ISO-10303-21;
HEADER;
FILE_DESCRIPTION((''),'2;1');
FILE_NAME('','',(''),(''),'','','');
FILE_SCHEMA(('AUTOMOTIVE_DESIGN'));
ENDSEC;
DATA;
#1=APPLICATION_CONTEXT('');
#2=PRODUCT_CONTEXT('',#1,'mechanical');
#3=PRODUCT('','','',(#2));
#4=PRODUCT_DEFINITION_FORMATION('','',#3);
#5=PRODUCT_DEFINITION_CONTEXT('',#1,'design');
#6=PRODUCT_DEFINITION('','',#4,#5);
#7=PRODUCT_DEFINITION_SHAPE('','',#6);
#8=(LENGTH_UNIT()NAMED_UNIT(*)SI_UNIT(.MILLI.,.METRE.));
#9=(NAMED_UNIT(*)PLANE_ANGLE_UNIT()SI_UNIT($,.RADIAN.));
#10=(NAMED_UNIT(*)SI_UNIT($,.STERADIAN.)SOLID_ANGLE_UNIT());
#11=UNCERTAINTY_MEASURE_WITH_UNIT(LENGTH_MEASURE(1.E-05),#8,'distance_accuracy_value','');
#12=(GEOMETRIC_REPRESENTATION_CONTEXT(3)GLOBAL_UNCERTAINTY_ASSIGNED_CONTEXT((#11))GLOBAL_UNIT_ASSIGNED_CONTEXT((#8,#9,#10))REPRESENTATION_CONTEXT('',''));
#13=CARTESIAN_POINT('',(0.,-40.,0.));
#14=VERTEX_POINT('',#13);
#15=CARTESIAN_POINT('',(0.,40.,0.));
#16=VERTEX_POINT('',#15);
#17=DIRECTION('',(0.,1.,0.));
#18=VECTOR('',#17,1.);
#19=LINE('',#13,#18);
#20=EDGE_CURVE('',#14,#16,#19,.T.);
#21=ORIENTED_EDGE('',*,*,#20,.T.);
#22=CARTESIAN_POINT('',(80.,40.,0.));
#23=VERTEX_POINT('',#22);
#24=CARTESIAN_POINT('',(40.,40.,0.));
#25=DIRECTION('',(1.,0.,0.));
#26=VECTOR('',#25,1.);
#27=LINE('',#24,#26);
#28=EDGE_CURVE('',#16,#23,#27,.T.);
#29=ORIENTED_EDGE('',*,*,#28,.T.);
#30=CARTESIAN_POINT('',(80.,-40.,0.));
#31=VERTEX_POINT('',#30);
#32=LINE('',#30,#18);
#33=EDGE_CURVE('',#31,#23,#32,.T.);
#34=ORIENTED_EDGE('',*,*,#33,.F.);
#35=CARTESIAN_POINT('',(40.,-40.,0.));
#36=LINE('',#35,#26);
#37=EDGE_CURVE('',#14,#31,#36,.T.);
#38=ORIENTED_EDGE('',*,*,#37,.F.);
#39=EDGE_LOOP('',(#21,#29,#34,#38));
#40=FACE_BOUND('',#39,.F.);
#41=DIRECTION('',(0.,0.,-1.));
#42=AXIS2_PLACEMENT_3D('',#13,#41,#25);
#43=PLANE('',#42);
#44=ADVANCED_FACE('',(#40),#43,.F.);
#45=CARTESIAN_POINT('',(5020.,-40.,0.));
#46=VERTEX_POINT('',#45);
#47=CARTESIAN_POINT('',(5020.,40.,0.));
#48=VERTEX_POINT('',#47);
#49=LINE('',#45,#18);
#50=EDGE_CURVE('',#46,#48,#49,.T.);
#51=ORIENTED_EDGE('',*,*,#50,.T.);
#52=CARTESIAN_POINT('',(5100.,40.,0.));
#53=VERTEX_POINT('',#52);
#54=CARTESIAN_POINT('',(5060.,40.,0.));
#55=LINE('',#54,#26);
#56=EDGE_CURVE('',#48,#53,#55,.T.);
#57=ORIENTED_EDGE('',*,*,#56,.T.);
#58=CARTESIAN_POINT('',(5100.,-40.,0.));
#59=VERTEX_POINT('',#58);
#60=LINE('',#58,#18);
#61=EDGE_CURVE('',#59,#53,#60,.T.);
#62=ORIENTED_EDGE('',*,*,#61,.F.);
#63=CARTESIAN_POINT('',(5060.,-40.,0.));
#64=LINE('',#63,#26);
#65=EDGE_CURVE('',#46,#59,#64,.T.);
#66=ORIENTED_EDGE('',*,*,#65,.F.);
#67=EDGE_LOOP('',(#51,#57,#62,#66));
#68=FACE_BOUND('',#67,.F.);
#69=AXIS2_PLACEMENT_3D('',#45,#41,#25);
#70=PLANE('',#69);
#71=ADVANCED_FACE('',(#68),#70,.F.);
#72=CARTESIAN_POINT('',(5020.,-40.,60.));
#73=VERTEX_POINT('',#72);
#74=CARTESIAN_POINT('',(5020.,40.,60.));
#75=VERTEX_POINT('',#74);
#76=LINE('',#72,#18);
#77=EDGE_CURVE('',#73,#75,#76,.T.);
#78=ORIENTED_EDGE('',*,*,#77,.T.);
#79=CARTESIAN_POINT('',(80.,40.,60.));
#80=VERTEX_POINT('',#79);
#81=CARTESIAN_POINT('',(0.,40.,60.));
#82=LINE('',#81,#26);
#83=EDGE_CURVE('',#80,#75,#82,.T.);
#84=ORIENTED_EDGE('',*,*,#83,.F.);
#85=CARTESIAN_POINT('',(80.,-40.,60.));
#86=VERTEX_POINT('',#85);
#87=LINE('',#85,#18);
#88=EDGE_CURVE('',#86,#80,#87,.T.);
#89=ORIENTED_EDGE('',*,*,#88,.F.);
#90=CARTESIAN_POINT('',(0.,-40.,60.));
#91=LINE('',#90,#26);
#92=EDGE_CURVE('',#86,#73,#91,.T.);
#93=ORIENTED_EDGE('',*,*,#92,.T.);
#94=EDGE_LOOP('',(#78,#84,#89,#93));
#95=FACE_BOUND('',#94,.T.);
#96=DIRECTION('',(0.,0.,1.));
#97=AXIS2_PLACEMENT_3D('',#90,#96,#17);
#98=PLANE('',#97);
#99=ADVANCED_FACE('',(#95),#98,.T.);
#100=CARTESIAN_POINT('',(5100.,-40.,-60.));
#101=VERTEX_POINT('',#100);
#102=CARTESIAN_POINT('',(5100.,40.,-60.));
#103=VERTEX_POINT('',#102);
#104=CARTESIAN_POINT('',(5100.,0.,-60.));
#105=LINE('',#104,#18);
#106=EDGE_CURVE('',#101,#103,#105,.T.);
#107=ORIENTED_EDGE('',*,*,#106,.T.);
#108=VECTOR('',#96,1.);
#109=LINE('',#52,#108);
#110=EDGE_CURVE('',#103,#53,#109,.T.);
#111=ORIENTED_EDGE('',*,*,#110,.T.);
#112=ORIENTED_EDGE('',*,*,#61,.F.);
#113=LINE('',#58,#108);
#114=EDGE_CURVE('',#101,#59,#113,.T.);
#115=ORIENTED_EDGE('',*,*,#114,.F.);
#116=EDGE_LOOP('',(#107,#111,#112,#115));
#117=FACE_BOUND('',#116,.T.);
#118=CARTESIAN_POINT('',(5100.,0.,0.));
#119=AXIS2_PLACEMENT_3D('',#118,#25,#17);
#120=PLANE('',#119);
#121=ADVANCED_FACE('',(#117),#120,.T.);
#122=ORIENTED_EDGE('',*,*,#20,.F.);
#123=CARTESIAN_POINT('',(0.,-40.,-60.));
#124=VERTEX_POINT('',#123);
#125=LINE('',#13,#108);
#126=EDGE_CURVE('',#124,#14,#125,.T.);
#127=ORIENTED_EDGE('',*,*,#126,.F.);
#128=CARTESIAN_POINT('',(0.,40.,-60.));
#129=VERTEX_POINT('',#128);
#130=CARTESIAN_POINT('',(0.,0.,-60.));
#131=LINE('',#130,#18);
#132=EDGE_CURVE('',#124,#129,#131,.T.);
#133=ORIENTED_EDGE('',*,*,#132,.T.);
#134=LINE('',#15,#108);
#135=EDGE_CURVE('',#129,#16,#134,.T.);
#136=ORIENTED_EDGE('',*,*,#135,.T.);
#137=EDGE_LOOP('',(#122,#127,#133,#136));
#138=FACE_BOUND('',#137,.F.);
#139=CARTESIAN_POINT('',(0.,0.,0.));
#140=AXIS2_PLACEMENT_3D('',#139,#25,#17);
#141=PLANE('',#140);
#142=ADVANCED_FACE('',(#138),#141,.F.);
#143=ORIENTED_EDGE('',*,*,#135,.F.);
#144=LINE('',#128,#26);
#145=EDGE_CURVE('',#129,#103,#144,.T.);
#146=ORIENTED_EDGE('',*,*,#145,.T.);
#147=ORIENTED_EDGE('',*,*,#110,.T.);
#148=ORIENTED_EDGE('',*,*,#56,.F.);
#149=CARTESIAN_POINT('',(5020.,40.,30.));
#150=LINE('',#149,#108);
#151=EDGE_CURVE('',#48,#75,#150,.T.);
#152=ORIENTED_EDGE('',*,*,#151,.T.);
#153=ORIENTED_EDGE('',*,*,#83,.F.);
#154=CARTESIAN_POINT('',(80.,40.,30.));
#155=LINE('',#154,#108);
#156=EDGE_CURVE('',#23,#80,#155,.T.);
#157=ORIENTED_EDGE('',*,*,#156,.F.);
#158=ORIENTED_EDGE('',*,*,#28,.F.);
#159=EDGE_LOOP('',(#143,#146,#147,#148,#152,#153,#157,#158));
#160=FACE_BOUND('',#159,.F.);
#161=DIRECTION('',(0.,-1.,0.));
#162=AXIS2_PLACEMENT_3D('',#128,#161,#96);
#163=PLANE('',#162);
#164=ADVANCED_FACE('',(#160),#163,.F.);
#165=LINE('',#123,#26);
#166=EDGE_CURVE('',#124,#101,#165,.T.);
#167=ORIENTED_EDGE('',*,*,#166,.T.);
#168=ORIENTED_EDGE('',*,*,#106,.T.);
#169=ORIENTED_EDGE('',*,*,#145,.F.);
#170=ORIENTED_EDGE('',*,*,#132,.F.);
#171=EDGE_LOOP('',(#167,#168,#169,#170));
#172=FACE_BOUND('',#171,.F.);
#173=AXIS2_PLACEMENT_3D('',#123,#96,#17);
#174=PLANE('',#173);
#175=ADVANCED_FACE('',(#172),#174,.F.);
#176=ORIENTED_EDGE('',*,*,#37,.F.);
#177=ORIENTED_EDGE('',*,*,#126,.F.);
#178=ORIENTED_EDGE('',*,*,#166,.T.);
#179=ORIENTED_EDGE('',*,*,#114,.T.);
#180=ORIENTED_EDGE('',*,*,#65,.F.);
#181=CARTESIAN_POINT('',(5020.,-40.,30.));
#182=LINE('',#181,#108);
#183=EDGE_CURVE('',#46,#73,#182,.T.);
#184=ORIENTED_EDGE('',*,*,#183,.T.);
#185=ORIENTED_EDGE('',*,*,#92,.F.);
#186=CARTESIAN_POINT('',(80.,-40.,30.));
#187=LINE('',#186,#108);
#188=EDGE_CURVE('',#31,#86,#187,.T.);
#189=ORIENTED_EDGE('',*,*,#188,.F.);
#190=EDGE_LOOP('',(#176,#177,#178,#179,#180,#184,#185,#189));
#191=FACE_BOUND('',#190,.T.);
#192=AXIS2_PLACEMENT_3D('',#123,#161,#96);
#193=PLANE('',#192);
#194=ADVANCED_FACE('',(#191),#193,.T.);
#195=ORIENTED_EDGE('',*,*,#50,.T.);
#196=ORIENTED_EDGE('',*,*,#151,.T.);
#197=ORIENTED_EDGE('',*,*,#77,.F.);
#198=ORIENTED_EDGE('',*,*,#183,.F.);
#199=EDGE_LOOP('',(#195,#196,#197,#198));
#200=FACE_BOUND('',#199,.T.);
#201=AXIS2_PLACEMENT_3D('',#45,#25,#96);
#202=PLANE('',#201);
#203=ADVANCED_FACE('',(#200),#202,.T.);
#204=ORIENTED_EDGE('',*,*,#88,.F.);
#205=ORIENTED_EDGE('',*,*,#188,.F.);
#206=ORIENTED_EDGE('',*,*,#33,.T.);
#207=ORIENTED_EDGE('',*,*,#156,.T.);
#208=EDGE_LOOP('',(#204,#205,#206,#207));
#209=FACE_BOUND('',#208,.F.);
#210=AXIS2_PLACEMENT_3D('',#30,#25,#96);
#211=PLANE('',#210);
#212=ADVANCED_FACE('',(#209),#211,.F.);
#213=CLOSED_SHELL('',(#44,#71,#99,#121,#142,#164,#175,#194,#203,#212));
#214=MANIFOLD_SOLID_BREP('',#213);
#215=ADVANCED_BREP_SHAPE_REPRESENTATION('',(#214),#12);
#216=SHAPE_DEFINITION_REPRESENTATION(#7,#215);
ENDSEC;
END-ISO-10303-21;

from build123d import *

# Parameters (mm, degrees)
F0_W     = 80
F0_H     = 120
F1_DEPTH = 5100
F2_W     = 80
F2_H     = 60
F3_DEPTH = 80


with BuildPart() as f1:
    # F0 (on Right) → F1 (new body)
    with BuildSketch(Plane.YZ):
        Rectangle(F0_W, F0_H)
    extrude(amount=F1_DEPTH)

    # F2 (on face) → F3 (cut, through all)
    with BuildSketch(Plane.XZ.offset(40)):
        with Locations((5060, 30)):
            Rectangle(F2_W, F2_H)
        with Locations((40, 30)):
            Rectangle(F2_W, F2_H)
    extrude(amount=-F3_DEPTH, mode=Mode.SUBTRACT)


solid = f1.part
